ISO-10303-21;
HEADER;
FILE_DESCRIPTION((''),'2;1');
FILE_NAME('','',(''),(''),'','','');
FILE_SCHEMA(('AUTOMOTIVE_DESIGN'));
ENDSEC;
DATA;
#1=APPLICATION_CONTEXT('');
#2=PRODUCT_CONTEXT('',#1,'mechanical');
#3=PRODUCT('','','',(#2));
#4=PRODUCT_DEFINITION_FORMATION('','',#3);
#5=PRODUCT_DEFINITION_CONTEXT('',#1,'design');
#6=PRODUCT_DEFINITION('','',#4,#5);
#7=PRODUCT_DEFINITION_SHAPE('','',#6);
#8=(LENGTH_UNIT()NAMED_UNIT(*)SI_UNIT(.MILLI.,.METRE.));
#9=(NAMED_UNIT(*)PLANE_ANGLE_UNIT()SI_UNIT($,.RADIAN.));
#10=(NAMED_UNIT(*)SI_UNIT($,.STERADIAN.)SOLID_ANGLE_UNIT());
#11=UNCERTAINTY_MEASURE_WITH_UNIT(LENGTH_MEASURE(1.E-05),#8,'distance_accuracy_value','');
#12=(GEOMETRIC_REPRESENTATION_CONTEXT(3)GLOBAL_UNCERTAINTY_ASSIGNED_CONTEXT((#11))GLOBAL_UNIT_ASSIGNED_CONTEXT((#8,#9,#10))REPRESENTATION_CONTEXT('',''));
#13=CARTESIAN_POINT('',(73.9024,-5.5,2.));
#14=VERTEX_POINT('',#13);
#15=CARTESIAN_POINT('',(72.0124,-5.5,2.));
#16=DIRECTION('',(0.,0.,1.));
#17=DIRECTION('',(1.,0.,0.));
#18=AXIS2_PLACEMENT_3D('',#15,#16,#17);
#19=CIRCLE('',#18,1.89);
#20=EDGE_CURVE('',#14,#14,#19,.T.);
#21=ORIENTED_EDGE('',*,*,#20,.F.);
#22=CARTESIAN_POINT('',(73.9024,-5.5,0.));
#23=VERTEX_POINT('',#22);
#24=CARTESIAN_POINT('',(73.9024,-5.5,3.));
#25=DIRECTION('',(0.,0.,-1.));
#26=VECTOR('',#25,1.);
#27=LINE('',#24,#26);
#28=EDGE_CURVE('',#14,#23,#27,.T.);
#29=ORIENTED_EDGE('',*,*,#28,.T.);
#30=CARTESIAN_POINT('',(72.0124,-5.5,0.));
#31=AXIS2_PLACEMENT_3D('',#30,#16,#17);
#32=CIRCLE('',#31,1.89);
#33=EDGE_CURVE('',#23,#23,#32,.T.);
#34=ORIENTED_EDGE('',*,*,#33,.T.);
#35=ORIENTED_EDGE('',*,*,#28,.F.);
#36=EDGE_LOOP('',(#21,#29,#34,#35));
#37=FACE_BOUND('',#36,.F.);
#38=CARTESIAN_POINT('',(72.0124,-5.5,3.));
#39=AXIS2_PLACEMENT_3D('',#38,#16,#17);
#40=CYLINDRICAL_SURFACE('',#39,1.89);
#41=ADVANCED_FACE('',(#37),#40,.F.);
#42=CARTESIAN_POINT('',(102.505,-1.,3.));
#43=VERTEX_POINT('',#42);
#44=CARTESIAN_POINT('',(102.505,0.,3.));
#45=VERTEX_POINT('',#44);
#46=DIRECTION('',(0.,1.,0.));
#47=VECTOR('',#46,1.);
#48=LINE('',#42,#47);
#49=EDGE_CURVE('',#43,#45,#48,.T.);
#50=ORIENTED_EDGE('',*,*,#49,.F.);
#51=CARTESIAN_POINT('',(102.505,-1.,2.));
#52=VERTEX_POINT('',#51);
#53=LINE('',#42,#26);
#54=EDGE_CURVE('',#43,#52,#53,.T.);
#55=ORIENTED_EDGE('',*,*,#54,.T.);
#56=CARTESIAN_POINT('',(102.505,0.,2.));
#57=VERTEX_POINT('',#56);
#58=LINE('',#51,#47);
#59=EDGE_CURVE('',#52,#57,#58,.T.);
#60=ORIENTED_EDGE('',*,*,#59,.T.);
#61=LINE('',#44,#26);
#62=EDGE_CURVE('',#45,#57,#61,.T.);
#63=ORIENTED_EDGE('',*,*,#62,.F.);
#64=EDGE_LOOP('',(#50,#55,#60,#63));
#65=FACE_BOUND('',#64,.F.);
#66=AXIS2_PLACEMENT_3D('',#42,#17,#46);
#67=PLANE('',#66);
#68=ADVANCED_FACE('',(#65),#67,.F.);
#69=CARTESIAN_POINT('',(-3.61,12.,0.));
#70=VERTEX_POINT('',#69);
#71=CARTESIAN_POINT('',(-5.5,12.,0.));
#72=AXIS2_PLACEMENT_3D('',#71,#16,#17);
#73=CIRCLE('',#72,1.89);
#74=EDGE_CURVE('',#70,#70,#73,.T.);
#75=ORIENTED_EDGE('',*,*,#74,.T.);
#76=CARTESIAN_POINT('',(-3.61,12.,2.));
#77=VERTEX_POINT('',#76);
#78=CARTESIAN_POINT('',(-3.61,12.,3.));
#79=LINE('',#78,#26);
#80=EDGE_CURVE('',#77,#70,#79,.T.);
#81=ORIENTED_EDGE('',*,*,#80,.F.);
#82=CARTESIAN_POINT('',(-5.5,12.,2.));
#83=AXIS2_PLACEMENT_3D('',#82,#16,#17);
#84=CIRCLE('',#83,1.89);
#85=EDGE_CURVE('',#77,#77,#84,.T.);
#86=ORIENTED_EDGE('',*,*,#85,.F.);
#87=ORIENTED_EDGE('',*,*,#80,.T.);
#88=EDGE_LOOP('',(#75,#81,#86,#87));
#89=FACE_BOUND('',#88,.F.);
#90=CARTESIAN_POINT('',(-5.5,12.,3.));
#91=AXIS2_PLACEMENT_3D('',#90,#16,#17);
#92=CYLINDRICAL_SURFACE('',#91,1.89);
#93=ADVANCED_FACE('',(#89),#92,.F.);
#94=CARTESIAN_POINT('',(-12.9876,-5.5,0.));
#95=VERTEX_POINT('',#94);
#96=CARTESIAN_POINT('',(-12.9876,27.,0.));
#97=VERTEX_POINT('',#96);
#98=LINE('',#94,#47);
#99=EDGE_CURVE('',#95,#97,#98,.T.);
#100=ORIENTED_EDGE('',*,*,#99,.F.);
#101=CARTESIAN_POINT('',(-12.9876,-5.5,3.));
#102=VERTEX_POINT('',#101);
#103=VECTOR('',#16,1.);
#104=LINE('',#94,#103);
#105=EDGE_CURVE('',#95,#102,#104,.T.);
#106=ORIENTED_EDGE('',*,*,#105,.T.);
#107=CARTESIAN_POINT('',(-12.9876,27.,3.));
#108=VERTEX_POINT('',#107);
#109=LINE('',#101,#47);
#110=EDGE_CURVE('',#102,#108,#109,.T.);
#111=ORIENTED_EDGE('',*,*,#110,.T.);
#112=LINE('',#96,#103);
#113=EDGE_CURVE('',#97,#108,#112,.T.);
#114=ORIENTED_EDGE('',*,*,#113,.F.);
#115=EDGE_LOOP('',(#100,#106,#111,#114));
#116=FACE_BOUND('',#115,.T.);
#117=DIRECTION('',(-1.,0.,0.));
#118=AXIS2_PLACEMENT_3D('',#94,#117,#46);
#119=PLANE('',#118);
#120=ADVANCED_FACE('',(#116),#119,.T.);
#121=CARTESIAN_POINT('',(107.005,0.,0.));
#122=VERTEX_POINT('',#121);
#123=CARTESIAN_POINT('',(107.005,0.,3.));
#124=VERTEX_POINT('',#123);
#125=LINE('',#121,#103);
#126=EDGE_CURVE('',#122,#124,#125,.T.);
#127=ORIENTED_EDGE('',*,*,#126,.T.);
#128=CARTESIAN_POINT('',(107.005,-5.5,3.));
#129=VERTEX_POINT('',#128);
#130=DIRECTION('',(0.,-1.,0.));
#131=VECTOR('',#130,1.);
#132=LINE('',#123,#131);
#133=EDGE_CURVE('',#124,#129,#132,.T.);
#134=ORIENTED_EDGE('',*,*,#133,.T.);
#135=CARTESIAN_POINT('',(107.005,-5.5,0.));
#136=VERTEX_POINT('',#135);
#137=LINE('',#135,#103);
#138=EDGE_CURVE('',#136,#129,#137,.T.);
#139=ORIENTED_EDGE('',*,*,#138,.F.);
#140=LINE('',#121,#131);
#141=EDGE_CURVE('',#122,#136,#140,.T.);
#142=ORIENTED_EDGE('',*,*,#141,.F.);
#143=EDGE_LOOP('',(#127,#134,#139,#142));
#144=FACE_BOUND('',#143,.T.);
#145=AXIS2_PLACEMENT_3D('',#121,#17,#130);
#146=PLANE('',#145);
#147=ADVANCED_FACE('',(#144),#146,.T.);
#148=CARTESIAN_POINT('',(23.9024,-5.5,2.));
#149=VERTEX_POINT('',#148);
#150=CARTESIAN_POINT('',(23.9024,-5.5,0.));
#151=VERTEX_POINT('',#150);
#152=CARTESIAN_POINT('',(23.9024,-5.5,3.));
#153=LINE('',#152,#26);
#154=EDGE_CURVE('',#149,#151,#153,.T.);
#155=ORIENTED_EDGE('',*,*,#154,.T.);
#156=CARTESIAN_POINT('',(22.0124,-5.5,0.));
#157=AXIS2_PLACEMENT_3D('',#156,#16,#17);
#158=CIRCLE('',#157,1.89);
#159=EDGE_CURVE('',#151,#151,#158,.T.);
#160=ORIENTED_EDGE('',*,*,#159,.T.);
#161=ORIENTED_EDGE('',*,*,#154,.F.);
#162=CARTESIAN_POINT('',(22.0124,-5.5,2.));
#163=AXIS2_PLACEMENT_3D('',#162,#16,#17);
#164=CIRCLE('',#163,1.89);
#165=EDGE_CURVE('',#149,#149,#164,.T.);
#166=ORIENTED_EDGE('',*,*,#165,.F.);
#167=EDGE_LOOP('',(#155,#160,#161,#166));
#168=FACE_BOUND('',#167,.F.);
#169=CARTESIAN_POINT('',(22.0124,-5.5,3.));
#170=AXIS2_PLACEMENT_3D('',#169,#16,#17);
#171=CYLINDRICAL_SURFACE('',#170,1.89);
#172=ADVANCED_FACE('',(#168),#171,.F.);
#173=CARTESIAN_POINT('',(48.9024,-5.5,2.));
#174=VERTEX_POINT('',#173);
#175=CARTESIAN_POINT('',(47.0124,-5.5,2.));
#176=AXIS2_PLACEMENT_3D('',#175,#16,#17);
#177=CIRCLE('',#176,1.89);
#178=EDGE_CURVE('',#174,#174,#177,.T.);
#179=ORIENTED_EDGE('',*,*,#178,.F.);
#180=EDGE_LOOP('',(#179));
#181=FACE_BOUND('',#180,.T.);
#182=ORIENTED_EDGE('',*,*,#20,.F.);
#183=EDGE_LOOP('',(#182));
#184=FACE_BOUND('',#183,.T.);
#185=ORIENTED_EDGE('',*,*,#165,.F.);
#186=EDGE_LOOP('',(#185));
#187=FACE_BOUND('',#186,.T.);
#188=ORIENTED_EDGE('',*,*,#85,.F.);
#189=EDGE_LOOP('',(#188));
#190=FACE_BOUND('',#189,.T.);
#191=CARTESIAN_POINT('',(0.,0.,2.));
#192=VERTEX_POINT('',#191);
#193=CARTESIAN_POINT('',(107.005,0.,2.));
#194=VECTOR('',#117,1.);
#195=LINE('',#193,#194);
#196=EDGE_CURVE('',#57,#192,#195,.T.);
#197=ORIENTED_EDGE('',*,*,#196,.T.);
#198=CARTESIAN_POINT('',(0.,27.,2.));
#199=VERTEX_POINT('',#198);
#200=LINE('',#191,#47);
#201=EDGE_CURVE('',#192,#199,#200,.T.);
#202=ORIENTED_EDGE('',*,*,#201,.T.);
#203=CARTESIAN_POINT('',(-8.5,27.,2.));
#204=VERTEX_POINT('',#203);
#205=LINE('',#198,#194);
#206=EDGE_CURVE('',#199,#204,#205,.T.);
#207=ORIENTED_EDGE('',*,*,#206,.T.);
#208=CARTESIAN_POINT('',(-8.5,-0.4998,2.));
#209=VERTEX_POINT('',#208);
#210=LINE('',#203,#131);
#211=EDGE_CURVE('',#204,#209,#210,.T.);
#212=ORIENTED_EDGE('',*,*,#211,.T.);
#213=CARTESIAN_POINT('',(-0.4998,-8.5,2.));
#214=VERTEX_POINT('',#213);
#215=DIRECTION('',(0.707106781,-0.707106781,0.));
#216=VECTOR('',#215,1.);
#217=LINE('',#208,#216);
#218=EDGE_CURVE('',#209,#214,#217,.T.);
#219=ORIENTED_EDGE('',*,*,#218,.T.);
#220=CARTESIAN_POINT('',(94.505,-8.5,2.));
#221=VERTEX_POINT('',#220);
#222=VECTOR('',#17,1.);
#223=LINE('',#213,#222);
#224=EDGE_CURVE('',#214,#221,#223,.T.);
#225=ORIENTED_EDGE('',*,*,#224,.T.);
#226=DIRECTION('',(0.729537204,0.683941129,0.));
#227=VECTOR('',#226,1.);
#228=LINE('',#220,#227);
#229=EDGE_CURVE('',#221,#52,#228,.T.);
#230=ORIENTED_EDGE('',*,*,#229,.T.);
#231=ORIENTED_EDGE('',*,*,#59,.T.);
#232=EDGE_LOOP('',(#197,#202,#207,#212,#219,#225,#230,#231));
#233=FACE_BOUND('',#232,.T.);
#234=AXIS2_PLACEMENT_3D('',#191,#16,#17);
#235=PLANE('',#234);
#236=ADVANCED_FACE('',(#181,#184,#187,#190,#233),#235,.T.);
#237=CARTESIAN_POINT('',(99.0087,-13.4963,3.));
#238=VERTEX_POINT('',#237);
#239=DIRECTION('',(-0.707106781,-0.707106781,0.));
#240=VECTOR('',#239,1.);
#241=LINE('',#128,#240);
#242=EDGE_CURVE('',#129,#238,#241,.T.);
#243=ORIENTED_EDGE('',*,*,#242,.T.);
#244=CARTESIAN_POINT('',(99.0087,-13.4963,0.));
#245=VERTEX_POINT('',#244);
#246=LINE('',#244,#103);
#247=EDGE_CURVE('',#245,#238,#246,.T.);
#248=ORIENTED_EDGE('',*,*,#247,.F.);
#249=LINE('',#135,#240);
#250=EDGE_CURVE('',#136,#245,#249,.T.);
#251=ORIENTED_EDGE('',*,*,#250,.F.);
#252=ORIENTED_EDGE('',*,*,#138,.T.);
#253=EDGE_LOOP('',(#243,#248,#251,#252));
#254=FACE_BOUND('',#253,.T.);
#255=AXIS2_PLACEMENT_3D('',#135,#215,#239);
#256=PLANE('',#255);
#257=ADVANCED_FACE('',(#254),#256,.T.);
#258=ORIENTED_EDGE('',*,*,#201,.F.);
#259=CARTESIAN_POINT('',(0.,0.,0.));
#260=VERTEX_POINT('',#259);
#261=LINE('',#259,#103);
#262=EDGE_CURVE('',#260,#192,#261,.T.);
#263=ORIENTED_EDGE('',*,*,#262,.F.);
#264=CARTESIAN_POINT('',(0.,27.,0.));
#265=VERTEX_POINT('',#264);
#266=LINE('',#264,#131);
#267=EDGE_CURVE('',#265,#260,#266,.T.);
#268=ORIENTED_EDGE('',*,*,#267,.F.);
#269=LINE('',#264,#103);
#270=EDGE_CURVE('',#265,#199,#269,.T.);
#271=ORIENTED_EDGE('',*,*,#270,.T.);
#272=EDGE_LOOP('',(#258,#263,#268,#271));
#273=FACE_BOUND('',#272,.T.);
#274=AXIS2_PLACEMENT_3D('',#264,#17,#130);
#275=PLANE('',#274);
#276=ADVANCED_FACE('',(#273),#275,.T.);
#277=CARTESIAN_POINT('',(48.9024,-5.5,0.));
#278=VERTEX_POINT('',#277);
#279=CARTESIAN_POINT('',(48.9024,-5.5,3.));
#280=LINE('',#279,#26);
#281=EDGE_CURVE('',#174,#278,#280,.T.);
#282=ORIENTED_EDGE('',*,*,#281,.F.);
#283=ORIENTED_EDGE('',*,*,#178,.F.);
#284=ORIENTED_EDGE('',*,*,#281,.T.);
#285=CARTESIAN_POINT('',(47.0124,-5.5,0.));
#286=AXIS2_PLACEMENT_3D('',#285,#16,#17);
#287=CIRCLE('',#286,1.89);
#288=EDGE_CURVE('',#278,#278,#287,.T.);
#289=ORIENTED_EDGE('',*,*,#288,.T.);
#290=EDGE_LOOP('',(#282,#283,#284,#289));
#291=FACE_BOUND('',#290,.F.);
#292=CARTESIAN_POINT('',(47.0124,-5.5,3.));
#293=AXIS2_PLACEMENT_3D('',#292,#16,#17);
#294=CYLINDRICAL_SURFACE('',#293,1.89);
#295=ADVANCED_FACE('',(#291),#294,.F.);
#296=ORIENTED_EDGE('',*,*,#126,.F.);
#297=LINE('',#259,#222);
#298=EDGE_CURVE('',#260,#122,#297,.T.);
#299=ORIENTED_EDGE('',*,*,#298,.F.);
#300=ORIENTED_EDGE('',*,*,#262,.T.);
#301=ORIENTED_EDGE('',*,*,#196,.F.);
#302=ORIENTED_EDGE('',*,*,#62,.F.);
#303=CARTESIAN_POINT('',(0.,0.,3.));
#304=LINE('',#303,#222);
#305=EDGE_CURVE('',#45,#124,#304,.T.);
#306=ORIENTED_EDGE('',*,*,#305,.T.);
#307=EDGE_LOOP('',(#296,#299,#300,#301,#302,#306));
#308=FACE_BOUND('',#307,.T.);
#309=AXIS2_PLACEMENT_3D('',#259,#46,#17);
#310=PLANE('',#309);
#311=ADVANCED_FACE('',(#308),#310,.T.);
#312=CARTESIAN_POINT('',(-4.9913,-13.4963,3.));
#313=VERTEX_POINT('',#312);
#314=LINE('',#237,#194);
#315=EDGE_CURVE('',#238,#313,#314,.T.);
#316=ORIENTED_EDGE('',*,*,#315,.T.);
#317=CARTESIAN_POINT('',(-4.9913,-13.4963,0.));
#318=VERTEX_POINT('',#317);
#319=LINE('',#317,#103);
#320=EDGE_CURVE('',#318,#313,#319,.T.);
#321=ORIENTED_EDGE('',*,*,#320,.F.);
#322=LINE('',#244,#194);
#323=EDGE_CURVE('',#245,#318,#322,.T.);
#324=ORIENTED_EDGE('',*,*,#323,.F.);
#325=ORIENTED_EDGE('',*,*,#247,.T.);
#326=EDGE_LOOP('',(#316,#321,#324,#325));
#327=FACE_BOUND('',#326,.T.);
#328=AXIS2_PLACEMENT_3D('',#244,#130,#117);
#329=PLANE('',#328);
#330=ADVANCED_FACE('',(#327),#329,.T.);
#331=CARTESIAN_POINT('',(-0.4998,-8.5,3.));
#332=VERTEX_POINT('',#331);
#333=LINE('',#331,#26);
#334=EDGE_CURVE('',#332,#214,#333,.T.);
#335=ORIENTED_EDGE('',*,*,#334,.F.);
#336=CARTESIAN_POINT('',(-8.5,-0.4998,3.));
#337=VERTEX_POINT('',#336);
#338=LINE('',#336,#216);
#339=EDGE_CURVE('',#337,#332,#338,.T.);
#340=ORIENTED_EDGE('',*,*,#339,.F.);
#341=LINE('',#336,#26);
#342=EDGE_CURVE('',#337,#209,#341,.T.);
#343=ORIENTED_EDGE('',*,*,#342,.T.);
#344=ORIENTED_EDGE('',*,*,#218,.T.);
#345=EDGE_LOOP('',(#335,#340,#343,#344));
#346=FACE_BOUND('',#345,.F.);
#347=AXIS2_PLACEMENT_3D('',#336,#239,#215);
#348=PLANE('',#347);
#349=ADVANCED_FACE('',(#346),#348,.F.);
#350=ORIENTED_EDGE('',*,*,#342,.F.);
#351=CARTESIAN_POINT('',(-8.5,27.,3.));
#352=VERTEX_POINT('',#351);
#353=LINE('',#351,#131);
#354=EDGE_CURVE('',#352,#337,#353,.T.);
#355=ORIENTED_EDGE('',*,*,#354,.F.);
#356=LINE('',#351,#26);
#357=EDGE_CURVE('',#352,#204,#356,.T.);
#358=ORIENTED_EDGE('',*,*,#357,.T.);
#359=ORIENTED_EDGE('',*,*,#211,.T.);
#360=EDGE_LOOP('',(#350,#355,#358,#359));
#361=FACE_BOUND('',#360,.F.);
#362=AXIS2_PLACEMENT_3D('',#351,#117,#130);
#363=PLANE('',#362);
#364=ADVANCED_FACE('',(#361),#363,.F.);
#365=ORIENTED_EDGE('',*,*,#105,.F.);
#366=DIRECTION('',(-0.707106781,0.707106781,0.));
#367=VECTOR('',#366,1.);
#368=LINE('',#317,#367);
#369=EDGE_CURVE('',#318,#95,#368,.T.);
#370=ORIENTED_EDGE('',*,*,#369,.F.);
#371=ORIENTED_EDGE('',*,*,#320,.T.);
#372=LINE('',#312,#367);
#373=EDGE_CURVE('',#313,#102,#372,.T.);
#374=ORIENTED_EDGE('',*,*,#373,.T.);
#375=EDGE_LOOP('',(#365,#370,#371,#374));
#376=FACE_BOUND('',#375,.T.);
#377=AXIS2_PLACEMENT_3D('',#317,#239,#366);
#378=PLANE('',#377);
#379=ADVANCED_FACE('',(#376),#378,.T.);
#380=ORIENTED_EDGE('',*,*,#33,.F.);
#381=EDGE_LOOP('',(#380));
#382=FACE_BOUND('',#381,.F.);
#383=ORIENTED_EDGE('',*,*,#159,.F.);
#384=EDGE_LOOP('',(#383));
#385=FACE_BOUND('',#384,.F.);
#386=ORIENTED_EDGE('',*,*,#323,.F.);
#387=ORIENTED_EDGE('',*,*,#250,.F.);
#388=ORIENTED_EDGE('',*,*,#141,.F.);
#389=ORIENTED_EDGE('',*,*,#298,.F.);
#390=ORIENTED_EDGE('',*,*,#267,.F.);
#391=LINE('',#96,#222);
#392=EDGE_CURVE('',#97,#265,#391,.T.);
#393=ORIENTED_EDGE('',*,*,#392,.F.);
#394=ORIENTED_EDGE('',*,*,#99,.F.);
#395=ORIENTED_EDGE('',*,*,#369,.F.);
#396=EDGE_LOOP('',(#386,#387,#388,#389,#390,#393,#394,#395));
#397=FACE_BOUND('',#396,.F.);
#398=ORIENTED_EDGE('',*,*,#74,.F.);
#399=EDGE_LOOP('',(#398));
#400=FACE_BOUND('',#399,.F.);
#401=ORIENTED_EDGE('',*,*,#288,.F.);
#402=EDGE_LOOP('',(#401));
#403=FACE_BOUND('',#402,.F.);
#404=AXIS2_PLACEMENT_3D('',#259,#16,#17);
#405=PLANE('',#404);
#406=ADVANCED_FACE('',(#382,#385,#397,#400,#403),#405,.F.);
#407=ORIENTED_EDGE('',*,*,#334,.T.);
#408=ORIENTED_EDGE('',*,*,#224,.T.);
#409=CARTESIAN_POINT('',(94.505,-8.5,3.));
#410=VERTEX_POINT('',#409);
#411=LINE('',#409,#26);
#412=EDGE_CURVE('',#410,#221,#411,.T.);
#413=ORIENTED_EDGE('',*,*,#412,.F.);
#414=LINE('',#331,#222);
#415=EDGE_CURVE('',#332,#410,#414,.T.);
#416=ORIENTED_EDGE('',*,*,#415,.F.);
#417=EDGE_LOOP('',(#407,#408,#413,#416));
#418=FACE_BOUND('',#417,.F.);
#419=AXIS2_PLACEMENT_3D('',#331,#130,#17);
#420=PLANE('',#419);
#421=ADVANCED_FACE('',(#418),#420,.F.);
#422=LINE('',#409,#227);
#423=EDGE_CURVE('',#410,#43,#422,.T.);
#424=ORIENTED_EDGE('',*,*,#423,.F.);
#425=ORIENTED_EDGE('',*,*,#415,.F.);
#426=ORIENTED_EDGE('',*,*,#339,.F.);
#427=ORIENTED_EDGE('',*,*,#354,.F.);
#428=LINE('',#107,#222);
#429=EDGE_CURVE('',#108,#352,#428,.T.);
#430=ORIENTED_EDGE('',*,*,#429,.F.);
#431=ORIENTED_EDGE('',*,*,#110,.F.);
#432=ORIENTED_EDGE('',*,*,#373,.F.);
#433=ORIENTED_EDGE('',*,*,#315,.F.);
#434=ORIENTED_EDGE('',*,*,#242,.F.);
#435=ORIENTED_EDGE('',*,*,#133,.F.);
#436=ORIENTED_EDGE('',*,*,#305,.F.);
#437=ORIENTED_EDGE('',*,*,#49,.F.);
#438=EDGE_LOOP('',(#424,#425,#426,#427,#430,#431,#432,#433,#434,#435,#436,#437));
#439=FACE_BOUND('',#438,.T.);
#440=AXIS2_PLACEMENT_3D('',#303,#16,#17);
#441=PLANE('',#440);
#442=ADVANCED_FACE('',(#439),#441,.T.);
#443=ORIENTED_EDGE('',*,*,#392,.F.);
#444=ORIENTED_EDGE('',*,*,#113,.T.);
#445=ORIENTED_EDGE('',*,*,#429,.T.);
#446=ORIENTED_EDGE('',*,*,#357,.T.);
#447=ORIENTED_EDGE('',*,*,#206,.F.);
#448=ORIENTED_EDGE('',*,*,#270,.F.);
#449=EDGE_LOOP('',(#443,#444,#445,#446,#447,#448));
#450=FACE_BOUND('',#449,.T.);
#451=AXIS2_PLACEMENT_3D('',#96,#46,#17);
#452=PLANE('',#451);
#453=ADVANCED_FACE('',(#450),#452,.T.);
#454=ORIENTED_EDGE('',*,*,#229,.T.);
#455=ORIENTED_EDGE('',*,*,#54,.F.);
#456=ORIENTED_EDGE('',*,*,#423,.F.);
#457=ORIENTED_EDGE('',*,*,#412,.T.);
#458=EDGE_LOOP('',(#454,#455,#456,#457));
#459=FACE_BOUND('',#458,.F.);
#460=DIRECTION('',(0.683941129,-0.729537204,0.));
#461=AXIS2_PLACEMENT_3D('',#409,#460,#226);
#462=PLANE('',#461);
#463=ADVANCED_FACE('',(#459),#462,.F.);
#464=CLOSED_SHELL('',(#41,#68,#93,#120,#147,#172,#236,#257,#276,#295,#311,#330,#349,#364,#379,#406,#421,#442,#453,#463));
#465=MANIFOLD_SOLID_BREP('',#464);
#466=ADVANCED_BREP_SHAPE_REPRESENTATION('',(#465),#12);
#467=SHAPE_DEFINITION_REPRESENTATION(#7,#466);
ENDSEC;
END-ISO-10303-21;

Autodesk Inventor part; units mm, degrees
sketch "Boceto1" plane through (0, 0, 0) normal (0, 0, 1) x (1, 0, 0)
  line L0 (0, 0) -> (107.005, 0)
  line L1 (107.005, 0) -> (107.005, -5.5)
  line L2 (107.005, -5.5) -> (99.0087, -13.4963)
  line L3 (99.0087, -13.4963) -> (-4.9913, -13.4963)
  line L4 (-4.9913, -13.4963) -> (-12.9876, -5.5)
  line L5 (-12.9876, -5.5) -> (-12.9876, 27)
  line L6 (-12.9876, 27) -> (0, 27)
  line L7 (0, 27) -> (0, 0)
  line L8 (107.0124, -0.0005) -> (107.0124, -5.5005) projected
  line L9 (107.0124, -5.5005) -> (82.0124, -30.5) projected
  dimension "d0" = 107.005
  dimension "d1" = 5.5
  dimension "d5" = 32.5
  dimension "d8" = 27
  dimension "d34" = 135
extrude "Extrusión1" add sketch "Boceto1" along normal blind 3
sketch "Boceto2" plane through (0, 0, 3) normal (0, 0, 1) x (1, 0, 0)
  circle A0 centre (-5.5, 12) radius 1.89
  line L0 (0, 27) -> (-12.9876, 27) projected
  point P0 (0, 0)
  dimension "d11" = 3.78
  dimension "d12" = 15
  dimension "d13" = 5.5
extrude "Extrusión2" cut sketch "Boceto2" against normal through all
sketch "Boceto3" plane through (0, 0, 3) normal (0, 0, 1) x (1, 0, 0)
  circle A0 centre (22.0124, -5.5) radius 1.89
  line L0 (-12.9876, 27) -> (-12.9876, -5.5) projected
  point P0 (0, 0)
  dimension "d16" = 3.78
  dimension "d17" = 5.5
  dimension "d18" = 35
extrude "Extrusión3" cut sketch "Boceto3" against normal through all
pattern_linear "Patrón rectangular1" count 3 spacing 25 along (1, 0, 0) of "Extrusión3"
sketch "Boceto4" plane through (0, 0, 3) normal (0, 0, 1) x (1, 0, 0)
  line L0 (0, 0) -> (0, 27) projected
  line L1 (107.005, 0) -> (0, 0) projected
  line L2 (0, 27) -> (-8.5, 27)
  line L3 (0, 27) -> (-12.9876, 27) projected
  line L4 (-8.5, 27) -> (-8.5, -0.4998)
  line L5 (-0.4998, -8.5) -> (94.505, -8.5)
  line L6 (94.505, -8.5) -> (102.505, -1)
  line L7 (102.505, -1) -> (102.505, 0)
  line L8 (-8.5, -0.4998) -> (-0.4998, -8.5)
  line L9 (107.005, -5.5) -> (107.005, 0) projected
  dimension "d24" = 8.5
  dimension "d25" = 8.5
  dimension "d26" = 135
  dimension "d27" = 11.314
  dimension "d28" = 1
  dimension "d30" = 12.5
  dimension "d31" = 4.5
extrude "Extrusión4" cut sketch "Boceto4" against normal blind 1
